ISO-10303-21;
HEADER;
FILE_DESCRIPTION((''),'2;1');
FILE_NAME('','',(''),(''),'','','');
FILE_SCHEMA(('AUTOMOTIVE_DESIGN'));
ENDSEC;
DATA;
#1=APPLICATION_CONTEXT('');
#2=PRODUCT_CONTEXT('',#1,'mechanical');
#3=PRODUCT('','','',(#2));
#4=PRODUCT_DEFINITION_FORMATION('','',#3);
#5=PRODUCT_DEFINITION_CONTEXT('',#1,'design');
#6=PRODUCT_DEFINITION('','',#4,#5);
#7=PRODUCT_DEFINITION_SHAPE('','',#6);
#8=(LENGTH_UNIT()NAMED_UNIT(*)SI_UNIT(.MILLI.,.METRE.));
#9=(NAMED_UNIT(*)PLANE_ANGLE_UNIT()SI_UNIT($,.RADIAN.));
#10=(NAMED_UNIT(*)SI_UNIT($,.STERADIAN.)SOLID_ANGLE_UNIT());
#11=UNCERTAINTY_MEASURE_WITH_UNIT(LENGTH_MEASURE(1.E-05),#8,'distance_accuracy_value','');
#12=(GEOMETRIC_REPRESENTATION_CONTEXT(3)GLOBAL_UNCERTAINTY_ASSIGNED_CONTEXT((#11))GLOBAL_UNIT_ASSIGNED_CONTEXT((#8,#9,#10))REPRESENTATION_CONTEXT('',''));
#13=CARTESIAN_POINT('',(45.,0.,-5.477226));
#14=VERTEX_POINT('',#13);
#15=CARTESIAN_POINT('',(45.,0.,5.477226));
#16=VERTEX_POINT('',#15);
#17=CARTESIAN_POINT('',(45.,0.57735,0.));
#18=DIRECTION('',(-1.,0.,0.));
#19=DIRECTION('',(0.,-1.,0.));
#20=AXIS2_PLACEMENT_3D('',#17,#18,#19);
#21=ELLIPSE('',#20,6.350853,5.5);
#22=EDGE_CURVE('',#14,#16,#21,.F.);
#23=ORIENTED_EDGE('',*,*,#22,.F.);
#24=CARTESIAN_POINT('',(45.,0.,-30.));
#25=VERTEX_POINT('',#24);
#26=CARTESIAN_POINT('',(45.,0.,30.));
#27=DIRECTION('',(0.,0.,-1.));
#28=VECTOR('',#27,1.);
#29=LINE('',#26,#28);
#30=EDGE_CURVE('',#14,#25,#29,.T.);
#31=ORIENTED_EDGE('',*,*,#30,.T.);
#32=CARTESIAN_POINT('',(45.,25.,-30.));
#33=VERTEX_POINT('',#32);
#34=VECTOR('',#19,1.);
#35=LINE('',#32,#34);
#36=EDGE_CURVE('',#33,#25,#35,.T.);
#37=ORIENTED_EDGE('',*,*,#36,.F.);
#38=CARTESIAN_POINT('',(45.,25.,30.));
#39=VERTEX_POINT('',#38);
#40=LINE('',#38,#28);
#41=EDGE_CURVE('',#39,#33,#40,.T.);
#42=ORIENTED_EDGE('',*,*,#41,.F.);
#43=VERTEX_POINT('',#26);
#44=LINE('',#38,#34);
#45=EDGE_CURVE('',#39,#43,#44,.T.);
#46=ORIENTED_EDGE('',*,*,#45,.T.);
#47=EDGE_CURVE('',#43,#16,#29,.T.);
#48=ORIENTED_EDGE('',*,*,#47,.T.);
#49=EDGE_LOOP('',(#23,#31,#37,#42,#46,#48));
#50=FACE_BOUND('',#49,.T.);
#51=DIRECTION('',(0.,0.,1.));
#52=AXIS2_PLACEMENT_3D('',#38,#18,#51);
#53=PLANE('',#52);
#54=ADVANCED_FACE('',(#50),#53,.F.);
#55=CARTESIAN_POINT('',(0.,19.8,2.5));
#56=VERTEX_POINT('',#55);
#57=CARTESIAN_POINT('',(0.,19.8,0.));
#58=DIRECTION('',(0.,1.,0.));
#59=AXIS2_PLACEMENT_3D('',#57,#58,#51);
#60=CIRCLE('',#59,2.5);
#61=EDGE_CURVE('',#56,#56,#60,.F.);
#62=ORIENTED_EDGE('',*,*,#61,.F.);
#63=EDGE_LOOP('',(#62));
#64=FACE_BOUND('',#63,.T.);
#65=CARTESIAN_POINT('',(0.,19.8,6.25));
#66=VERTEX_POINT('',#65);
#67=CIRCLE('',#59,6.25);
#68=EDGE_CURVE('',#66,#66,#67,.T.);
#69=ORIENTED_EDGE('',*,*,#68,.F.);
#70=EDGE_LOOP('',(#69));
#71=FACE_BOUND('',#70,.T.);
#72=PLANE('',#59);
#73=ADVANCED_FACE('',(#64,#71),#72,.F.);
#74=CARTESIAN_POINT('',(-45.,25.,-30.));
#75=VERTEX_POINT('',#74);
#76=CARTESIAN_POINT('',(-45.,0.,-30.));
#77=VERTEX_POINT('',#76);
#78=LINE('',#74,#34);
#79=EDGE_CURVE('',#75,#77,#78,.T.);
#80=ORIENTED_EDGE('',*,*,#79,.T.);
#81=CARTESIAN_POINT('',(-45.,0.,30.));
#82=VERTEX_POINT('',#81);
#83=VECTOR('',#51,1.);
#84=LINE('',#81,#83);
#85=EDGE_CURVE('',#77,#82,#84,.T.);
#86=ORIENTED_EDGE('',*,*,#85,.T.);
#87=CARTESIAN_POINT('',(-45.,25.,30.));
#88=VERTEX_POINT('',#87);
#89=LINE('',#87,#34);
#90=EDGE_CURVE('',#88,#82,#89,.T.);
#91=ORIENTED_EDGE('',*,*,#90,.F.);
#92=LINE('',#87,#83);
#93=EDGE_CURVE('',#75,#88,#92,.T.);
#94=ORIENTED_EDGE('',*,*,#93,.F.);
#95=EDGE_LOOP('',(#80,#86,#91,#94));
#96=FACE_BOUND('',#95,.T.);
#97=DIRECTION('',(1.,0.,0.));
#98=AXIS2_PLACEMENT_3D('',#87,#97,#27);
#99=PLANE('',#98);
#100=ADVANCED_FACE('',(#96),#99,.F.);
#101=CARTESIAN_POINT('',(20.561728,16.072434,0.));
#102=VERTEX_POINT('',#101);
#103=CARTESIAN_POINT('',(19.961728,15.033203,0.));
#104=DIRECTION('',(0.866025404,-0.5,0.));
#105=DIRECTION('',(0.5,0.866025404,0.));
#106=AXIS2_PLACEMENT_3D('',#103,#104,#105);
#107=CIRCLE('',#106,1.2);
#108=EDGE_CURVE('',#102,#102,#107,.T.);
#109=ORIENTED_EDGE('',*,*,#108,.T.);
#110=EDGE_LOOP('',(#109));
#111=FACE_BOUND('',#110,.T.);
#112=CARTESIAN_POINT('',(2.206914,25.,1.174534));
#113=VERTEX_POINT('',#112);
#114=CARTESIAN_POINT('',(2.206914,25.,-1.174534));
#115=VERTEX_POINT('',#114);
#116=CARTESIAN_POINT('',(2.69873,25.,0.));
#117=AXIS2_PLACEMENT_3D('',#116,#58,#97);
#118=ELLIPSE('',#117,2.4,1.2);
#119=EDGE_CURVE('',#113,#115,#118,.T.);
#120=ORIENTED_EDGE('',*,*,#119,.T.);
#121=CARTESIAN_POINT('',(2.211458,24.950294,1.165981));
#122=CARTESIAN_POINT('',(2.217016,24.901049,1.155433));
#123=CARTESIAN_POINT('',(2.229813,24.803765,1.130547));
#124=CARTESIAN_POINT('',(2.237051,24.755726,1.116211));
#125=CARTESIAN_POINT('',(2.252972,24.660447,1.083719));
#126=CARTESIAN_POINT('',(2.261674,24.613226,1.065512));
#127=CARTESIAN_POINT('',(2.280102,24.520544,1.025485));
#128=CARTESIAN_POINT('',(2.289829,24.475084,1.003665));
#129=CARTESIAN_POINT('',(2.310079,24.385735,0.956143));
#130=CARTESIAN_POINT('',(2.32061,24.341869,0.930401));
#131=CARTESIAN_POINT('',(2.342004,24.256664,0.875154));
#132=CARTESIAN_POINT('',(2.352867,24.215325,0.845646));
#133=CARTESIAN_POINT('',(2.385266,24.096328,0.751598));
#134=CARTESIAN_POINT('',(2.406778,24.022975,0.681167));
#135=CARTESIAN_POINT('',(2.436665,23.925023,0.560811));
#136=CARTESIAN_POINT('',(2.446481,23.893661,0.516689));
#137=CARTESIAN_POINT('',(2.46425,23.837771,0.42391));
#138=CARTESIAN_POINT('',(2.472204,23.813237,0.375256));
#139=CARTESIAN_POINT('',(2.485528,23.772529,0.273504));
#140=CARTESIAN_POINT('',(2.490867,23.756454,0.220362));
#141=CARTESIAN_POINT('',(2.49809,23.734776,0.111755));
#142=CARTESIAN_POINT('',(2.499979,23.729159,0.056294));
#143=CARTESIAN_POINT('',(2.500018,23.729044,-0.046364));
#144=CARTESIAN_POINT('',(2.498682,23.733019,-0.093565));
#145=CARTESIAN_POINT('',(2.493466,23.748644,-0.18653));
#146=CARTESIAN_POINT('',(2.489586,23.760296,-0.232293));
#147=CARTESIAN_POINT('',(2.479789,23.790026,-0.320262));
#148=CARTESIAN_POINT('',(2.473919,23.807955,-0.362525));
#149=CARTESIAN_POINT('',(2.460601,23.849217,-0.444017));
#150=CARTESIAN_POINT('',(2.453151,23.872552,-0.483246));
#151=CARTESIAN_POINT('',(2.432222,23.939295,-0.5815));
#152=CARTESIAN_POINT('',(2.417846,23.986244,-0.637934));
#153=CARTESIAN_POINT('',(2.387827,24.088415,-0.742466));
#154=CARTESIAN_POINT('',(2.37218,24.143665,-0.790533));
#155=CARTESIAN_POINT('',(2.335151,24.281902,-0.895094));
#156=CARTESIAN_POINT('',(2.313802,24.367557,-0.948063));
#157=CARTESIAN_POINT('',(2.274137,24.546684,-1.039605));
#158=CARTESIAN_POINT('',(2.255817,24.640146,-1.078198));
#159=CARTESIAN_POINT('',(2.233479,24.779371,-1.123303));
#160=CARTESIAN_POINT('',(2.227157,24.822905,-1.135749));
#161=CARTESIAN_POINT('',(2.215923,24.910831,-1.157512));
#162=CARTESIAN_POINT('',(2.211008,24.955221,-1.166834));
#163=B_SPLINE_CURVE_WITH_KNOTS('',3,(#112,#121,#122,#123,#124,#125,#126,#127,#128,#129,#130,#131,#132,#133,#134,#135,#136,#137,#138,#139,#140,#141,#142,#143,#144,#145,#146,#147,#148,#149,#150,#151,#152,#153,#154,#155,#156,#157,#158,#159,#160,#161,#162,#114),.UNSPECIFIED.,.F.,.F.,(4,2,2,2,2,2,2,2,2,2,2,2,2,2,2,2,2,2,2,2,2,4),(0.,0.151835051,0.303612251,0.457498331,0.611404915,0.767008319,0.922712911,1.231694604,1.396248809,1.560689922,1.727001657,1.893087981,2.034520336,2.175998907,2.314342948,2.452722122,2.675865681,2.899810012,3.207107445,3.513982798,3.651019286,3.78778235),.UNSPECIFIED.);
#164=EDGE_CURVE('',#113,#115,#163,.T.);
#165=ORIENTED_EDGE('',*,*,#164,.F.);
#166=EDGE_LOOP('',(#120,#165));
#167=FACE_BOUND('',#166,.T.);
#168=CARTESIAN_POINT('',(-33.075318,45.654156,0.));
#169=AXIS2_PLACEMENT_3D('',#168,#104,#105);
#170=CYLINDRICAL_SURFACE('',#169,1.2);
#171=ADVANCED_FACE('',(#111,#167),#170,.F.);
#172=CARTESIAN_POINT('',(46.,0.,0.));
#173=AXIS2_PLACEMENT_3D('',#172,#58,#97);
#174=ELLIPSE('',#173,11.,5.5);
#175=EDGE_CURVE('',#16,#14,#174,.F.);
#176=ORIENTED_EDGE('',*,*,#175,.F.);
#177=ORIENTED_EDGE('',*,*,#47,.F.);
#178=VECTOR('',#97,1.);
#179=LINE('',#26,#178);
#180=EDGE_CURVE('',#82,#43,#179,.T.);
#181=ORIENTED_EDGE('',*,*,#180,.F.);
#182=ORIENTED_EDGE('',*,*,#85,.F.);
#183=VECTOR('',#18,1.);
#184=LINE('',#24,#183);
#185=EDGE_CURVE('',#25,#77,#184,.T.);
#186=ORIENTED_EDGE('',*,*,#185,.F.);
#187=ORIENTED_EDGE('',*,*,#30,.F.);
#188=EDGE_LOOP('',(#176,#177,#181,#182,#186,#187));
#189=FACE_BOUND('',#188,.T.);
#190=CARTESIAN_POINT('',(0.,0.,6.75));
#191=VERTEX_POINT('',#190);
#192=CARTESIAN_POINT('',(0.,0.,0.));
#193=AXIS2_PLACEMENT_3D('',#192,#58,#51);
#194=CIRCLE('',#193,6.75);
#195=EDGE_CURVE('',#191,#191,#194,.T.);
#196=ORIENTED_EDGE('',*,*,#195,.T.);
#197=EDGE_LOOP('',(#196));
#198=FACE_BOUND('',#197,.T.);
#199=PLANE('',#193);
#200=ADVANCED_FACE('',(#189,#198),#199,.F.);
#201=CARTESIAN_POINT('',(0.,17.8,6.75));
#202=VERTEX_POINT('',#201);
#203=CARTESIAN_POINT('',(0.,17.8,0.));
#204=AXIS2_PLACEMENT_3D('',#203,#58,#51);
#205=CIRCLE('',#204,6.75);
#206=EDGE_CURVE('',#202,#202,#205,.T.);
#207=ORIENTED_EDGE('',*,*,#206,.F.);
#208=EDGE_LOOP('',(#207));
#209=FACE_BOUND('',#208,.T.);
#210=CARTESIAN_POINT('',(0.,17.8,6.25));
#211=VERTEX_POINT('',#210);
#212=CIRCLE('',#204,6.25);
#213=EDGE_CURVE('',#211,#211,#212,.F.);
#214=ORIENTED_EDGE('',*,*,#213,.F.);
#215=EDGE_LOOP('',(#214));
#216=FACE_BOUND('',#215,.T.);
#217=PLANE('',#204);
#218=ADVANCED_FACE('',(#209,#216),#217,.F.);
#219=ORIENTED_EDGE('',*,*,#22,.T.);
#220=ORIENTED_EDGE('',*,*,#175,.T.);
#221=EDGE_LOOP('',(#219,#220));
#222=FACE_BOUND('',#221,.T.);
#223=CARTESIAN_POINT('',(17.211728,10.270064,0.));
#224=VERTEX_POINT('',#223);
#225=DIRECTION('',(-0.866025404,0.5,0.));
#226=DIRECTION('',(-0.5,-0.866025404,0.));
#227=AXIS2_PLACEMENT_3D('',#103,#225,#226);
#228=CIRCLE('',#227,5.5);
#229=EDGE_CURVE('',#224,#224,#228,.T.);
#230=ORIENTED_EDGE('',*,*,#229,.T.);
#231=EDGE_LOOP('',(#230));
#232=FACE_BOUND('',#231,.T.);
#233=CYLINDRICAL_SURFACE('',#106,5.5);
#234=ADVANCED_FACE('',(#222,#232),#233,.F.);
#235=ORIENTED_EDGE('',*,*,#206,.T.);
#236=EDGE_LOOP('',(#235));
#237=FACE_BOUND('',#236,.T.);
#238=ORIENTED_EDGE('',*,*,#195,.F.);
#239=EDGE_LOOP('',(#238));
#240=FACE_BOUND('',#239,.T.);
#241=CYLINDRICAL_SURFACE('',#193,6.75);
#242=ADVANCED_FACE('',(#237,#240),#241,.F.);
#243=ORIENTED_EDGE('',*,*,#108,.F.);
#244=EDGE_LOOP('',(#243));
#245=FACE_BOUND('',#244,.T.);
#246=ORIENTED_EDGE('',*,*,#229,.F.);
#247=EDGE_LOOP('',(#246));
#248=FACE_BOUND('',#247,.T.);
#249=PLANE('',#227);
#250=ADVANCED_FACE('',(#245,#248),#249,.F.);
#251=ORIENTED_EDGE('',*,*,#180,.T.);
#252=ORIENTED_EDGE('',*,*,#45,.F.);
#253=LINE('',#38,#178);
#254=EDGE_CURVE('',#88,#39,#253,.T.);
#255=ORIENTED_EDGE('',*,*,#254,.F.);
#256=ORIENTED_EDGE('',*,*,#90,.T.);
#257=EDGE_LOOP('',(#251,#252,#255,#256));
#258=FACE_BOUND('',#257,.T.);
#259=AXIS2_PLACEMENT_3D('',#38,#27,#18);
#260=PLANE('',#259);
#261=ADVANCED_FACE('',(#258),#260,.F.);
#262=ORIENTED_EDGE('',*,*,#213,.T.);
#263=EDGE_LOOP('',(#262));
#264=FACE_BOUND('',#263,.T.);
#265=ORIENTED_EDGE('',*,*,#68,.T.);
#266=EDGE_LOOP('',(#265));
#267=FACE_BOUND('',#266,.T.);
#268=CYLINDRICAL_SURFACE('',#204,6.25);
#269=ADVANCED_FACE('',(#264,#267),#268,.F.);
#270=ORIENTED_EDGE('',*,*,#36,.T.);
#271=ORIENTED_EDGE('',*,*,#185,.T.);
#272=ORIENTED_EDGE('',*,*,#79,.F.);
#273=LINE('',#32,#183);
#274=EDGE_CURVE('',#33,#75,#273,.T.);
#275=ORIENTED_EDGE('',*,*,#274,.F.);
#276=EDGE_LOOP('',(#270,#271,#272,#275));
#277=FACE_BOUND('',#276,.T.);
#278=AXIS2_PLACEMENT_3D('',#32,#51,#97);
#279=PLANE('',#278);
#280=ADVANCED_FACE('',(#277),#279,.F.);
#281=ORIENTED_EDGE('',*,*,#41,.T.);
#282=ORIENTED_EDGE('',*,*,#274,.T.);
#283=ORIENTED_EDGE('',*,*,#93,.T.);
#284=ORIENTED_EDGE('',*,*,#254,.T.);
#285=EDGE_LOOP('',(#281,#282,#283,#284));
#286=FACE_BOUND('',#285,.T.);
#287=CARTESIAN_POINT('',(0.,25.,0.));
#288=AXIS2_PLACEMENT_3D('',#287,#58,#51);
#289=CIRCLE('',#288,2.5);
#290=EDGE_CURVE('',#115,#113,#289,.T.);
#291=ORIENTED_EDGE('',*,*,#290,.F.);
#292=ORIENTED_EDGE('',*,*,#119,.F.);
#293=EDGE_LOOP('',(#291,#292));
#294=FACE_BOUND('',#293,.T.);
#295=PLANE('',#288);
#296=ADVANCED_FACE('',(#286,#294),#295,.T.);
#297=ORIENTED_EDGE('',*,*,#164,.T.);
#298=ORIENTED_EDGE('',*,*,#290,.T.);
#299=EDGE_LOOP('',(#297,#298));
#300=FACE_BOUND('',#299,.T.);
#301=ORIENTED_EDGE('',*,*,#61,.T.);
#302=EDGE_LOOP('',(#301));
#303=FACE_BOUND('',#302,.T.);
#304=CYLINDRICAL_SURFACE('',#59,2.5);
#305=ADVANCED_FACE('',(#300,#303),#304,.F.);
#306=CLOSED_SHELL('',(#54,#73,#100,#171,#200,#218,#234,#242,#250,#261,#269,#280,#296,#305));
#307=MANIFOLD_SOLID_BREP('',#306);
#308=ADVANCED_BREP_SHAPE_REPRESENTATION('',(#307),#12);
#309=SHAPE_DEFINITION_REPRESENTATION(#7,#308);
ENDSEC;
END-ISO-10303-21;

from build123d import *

# Parameters (mm, degrees)
SKETCH2_W                = 90
SKETCH2_H                = 60
BOSS_EXTRUDE1_DEPTH      = 25
SKETCH11_R               = 2.5
CUT_EXTRUDE8_DEPTH       = 5.2
SKETCH17_R               = 6.25
CUT_EXTRUDE14_DEPTH      = 2
SKETCH18_R               = 6.75
CUT_EXTRUDE15_DEPTH      = 18.8
SKETCH20_R               = 5.5
CUT_EXTRUDE17_DEPTH      = 6.21
CUT_EXTRUDE17_DEPTH_BACK = 30
SKETCH26_R               = 1.2
CUT_EXTRUDE20_DEPTH      = 62.241905284


with BuildPart() as part:
    # Sketch2 → Boss-Extrude1 (new body)
    with BuildSketch(Plane(origin=(0, 0, 0), x_dir=(1, 0, 0), z_dir=(0, 1, 0))):
        Rectangle(SKETCH2_W, SKETCH2_H)
    extrude(amount=BOSS_EXTRUDE1_DEPTH)

    # Sketch11 → Cut-Extrude8 (cut)
    with BuildSketch(Plane(origin=(0, 25, 0), x_dir=(1, 0, 0), z_dir=(0, 1, 0))):
        Circle(SKETCH11_R)
    extrude(amount=-CUT_EXTRUDE8_DEPTH, mode=Mode.SUBTRACT)

    # Sketch17 → Cut-Extrude14 (cut)
    with BuildSketch(Plane(origin=(0, 19.8, 0), x_dir=(1, 0, 0), z_dir=(0, 1, 0))):
        Circle(SKETCH17_R)
    extrude(amount=-CUT_EXTRUDE14_DEPTH, mode=Mode.SUBTRACT)

    # Sketch18 → Cut-Extrude15 (cut, through all)
    with BuildSketch(Plane(origin=(0, 17.8, 0), x_dir=(1, 0, 0), z_dir=(0, 1, 0))):
        Circle(SKETCH18_R)
    extrude(amount=-CUT_EXTRUDE15_DEPTH, mode=Mode.SUBTRACT)

    # Sketch20 → Cut-Extrude17 (cut, two sides)
    with BuildSketch(Plane(origin=(13.839745962, -7.990381057, 0), x_dir=(0, 0, 1), z_dir=(-0.866025404, 0.5, 0))) as cut_extrude17_sk:
        with Locations((0, 23)):
            Circle(SKETCH20_R)
    extrude(amount=CUT_EXTRUDE17_DEPTH, mode=Mode.SUBTRACT)
    extrude(cut_extrude17_sk.sketch, amount=-CUT_EXTRUDE17_DEPTH_BACK, mode=Mode.SUBTRACT)

    # Sketch26 → Cut-Extrude20 (cut, through all)
    with BuildSketch(Plane(origin=(8.461728205, -4.885381057, 0), x_dir=(0, 0, -1), z_dir=(0.866025404, -0.5, 0))):
        with Locations((0, 23)):
            Circle(SKETCH26_R)
    extrude(amount=-CUT_EXTRUDE20_DEPTH, mode=Mode.SUBTRACT)


solid = part.part
